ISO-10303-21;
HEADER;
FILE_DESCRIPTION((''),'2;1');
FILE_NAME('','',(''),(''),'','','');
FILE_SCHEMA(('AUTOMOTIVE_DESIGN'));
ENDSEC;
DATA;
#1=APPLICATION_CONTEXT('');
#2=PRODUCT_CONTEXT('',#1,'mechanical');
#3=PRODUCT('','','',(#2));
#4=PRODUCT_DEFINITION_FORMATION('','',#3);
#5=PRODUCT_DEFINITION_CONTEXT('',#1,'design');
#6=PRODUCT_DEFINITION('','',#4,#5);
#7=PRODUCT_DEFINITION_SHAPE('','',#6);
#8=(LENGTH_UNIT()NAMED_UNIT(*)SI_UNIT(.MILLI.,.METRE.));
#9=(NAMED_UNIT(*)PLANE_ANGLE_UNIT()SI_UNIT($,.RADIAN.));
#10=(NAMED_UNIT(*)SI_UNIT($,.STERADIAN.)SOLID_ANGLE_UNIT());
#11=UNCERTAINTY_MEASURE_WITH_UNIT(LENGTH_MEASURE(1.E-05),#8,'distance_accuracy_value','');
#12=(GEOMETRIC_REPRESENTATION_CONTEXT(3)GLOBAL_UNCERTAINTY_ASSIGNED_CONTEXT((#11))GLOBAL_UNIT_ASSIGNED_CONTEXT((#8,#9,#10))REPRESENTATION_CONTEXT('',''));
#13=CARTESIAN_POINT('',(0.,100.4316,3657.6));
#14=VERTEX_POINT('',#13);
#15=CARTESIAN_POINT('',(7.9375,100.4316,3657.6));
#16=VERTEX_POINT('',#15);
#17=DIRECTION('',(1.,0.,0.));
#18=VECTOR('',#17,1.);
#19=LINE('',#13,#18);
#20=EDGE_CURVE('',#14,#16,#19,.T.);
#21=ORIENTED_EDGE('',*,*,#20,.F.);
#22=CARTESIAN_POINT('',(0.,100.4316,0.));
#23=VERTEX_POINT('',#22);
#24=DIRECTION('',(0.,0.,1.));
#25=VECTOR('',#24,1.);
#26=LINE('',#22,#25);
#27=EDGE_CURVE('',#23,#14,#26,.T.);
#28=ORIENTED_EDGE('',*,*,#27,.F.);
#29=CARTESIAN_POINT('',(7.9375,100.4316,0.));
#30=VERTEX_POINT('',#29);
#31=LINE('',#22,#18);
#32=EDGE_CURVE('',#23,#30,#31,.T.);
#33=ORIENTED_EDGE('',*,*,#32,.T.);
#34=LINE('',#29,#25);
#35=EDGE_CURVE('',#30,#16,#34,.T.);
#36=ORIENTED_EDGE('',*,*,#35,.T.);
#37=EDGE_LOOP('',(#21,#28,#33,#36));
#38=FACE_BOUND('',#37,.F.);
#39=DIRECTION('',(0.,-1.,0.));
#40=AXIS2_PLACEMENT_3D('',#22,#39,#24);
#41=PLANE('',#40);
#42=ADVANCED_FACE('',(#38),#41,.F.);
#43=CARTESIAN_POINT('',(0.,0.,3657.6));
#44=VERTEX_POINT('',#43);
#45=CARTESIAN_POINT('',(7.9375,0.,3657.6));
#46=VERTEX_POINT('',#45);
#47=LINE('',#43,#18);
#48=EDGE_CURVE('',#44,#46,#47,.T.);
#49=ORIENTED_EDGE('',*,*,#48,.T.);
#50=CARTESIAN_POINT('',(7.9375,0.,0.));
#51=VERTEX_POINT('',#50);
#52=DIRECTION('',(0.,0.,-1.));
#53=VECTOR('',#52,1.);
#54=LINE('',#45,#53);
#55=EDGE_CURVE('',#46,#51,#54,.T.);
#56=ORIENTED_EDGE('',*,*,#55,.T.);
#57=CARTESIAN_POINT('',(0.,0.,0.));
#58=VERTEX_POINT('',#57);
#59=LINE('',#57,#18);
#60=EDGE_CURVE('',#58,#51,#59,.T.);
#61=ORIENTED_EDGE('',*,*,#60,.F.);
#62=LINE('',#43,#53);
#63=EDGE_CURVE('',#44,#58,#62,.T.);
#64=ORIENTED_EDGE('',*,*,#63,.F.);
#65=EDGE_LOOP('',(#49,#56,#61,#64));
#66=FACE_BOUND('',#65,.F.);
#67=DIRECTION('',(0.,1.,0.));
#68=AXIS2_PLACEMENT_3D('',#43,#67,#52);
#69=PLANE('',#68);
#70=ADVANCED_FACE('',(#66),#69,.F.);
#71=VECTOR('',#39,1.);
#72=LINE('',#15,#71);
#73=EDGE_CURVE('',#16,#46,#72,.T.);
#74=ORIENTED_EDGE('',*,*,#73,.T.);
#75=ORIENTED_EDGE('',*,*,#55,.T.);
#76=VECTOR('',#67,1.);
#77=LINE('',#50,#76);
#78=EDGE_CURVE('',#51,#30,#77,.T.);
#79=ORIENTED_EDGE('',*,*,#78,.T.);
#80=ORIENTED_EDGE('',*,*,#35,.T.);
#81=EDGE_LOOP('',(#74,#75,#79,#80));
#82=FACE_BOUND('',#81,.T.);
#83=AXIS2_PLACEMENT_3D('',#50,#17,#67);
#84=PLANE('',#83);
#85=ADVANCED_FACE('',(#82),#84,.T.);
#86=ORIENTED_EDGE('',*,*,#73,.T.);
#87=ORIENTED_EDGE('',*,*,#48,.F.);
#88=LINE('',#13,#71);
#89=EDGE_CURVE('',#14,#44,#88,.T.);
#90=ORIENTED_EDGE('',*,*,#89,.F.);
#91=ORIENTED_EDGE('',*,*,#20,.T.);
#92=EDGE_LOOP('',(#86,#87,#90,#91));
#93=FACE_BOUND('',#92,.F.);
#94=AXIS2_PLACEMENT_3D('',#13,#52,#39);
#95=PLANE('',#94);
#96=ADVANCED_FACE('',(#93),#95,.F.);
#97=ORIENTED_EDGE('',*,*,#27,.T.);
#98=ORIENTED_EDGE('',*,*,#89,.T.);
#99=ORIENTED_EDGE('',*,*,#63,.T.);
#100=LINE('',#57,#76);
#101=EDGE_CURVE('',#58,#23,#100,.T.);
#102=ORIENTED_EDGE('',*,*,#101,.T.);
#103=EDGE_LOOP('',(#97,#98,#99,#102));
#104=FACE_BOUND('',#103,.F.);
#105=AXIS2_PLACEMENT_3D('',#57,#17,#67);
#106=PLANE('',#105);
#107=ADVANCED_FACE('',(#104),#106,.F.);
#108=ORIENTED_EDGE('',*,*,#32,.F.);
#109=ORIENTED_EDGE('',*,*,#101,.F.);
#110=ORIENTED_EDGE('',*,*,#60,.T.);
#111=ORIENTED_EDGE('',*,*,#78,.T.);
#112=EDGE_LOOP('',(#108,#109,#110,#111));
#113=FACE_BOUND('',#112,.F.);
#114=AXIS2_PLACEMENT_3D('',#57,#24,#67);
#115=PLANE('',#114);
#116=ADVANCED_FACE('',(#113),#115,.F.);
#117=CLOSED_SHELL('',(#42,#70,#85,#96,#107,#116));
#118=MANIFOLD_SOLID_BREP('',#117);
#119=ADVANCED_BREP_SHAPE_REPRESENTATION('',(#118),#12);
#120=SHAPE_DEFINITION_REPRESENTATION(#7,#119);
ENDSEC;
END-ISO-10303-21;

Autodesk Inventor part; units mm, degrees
ref_plane "YZ Plane" through (0, 0, 0) normal (1, 0, 0) x (0, 1, 0)
ref_plane "XZ Plane" through (0, 0, 0) normal (0, 1, 0) x (-1, 0, 0)
ref_plane "XY Plane" through (0, 0, 0) normal (0, 0, 1) x (1, 0, 0)
sketch "Sketch1" plane through (0, 0, 0) normal (1, 0, 0) x (0, 1, 0)
  line L0 (0, 0) -> (100.4316, 0)
  line L1 (100.4316, 0) -> (100.4316, 3657.6)
  line L2 (100.4316, 3657.6) -> (0, 3657.6)
  line L3 (0, 3657.6) -> (0, 0)
  dimension "d0" = 3657.6
  dimension "d1" = 100.4316
extrude "Extrusion1" add sketch "Sketch1" along normal blind 7.9375
sketch "Sketch2" plane through (7.9375, 0, 0) normal (1, 0, 0) x (0, 0, -1)
  line L0 (-3657.6, 100.4316) -> (-3657.6, 0) projected
  line L1 (-3657.6, 0) -> (0, 0)
  line L2 (0, 0) -> (0, 209.55)
  line L3 (0, 209.55) -> (-3657.6, 209.55)
  line L4 (-3657.6, 209.55) -> (-3657.6, 0)
  line L5 (0, 0) -> (0, 100.4316) projected
  dimension "d4" = 209.55
properties part number "Fiber_Cement_Board_With_Height_3_Inches"
